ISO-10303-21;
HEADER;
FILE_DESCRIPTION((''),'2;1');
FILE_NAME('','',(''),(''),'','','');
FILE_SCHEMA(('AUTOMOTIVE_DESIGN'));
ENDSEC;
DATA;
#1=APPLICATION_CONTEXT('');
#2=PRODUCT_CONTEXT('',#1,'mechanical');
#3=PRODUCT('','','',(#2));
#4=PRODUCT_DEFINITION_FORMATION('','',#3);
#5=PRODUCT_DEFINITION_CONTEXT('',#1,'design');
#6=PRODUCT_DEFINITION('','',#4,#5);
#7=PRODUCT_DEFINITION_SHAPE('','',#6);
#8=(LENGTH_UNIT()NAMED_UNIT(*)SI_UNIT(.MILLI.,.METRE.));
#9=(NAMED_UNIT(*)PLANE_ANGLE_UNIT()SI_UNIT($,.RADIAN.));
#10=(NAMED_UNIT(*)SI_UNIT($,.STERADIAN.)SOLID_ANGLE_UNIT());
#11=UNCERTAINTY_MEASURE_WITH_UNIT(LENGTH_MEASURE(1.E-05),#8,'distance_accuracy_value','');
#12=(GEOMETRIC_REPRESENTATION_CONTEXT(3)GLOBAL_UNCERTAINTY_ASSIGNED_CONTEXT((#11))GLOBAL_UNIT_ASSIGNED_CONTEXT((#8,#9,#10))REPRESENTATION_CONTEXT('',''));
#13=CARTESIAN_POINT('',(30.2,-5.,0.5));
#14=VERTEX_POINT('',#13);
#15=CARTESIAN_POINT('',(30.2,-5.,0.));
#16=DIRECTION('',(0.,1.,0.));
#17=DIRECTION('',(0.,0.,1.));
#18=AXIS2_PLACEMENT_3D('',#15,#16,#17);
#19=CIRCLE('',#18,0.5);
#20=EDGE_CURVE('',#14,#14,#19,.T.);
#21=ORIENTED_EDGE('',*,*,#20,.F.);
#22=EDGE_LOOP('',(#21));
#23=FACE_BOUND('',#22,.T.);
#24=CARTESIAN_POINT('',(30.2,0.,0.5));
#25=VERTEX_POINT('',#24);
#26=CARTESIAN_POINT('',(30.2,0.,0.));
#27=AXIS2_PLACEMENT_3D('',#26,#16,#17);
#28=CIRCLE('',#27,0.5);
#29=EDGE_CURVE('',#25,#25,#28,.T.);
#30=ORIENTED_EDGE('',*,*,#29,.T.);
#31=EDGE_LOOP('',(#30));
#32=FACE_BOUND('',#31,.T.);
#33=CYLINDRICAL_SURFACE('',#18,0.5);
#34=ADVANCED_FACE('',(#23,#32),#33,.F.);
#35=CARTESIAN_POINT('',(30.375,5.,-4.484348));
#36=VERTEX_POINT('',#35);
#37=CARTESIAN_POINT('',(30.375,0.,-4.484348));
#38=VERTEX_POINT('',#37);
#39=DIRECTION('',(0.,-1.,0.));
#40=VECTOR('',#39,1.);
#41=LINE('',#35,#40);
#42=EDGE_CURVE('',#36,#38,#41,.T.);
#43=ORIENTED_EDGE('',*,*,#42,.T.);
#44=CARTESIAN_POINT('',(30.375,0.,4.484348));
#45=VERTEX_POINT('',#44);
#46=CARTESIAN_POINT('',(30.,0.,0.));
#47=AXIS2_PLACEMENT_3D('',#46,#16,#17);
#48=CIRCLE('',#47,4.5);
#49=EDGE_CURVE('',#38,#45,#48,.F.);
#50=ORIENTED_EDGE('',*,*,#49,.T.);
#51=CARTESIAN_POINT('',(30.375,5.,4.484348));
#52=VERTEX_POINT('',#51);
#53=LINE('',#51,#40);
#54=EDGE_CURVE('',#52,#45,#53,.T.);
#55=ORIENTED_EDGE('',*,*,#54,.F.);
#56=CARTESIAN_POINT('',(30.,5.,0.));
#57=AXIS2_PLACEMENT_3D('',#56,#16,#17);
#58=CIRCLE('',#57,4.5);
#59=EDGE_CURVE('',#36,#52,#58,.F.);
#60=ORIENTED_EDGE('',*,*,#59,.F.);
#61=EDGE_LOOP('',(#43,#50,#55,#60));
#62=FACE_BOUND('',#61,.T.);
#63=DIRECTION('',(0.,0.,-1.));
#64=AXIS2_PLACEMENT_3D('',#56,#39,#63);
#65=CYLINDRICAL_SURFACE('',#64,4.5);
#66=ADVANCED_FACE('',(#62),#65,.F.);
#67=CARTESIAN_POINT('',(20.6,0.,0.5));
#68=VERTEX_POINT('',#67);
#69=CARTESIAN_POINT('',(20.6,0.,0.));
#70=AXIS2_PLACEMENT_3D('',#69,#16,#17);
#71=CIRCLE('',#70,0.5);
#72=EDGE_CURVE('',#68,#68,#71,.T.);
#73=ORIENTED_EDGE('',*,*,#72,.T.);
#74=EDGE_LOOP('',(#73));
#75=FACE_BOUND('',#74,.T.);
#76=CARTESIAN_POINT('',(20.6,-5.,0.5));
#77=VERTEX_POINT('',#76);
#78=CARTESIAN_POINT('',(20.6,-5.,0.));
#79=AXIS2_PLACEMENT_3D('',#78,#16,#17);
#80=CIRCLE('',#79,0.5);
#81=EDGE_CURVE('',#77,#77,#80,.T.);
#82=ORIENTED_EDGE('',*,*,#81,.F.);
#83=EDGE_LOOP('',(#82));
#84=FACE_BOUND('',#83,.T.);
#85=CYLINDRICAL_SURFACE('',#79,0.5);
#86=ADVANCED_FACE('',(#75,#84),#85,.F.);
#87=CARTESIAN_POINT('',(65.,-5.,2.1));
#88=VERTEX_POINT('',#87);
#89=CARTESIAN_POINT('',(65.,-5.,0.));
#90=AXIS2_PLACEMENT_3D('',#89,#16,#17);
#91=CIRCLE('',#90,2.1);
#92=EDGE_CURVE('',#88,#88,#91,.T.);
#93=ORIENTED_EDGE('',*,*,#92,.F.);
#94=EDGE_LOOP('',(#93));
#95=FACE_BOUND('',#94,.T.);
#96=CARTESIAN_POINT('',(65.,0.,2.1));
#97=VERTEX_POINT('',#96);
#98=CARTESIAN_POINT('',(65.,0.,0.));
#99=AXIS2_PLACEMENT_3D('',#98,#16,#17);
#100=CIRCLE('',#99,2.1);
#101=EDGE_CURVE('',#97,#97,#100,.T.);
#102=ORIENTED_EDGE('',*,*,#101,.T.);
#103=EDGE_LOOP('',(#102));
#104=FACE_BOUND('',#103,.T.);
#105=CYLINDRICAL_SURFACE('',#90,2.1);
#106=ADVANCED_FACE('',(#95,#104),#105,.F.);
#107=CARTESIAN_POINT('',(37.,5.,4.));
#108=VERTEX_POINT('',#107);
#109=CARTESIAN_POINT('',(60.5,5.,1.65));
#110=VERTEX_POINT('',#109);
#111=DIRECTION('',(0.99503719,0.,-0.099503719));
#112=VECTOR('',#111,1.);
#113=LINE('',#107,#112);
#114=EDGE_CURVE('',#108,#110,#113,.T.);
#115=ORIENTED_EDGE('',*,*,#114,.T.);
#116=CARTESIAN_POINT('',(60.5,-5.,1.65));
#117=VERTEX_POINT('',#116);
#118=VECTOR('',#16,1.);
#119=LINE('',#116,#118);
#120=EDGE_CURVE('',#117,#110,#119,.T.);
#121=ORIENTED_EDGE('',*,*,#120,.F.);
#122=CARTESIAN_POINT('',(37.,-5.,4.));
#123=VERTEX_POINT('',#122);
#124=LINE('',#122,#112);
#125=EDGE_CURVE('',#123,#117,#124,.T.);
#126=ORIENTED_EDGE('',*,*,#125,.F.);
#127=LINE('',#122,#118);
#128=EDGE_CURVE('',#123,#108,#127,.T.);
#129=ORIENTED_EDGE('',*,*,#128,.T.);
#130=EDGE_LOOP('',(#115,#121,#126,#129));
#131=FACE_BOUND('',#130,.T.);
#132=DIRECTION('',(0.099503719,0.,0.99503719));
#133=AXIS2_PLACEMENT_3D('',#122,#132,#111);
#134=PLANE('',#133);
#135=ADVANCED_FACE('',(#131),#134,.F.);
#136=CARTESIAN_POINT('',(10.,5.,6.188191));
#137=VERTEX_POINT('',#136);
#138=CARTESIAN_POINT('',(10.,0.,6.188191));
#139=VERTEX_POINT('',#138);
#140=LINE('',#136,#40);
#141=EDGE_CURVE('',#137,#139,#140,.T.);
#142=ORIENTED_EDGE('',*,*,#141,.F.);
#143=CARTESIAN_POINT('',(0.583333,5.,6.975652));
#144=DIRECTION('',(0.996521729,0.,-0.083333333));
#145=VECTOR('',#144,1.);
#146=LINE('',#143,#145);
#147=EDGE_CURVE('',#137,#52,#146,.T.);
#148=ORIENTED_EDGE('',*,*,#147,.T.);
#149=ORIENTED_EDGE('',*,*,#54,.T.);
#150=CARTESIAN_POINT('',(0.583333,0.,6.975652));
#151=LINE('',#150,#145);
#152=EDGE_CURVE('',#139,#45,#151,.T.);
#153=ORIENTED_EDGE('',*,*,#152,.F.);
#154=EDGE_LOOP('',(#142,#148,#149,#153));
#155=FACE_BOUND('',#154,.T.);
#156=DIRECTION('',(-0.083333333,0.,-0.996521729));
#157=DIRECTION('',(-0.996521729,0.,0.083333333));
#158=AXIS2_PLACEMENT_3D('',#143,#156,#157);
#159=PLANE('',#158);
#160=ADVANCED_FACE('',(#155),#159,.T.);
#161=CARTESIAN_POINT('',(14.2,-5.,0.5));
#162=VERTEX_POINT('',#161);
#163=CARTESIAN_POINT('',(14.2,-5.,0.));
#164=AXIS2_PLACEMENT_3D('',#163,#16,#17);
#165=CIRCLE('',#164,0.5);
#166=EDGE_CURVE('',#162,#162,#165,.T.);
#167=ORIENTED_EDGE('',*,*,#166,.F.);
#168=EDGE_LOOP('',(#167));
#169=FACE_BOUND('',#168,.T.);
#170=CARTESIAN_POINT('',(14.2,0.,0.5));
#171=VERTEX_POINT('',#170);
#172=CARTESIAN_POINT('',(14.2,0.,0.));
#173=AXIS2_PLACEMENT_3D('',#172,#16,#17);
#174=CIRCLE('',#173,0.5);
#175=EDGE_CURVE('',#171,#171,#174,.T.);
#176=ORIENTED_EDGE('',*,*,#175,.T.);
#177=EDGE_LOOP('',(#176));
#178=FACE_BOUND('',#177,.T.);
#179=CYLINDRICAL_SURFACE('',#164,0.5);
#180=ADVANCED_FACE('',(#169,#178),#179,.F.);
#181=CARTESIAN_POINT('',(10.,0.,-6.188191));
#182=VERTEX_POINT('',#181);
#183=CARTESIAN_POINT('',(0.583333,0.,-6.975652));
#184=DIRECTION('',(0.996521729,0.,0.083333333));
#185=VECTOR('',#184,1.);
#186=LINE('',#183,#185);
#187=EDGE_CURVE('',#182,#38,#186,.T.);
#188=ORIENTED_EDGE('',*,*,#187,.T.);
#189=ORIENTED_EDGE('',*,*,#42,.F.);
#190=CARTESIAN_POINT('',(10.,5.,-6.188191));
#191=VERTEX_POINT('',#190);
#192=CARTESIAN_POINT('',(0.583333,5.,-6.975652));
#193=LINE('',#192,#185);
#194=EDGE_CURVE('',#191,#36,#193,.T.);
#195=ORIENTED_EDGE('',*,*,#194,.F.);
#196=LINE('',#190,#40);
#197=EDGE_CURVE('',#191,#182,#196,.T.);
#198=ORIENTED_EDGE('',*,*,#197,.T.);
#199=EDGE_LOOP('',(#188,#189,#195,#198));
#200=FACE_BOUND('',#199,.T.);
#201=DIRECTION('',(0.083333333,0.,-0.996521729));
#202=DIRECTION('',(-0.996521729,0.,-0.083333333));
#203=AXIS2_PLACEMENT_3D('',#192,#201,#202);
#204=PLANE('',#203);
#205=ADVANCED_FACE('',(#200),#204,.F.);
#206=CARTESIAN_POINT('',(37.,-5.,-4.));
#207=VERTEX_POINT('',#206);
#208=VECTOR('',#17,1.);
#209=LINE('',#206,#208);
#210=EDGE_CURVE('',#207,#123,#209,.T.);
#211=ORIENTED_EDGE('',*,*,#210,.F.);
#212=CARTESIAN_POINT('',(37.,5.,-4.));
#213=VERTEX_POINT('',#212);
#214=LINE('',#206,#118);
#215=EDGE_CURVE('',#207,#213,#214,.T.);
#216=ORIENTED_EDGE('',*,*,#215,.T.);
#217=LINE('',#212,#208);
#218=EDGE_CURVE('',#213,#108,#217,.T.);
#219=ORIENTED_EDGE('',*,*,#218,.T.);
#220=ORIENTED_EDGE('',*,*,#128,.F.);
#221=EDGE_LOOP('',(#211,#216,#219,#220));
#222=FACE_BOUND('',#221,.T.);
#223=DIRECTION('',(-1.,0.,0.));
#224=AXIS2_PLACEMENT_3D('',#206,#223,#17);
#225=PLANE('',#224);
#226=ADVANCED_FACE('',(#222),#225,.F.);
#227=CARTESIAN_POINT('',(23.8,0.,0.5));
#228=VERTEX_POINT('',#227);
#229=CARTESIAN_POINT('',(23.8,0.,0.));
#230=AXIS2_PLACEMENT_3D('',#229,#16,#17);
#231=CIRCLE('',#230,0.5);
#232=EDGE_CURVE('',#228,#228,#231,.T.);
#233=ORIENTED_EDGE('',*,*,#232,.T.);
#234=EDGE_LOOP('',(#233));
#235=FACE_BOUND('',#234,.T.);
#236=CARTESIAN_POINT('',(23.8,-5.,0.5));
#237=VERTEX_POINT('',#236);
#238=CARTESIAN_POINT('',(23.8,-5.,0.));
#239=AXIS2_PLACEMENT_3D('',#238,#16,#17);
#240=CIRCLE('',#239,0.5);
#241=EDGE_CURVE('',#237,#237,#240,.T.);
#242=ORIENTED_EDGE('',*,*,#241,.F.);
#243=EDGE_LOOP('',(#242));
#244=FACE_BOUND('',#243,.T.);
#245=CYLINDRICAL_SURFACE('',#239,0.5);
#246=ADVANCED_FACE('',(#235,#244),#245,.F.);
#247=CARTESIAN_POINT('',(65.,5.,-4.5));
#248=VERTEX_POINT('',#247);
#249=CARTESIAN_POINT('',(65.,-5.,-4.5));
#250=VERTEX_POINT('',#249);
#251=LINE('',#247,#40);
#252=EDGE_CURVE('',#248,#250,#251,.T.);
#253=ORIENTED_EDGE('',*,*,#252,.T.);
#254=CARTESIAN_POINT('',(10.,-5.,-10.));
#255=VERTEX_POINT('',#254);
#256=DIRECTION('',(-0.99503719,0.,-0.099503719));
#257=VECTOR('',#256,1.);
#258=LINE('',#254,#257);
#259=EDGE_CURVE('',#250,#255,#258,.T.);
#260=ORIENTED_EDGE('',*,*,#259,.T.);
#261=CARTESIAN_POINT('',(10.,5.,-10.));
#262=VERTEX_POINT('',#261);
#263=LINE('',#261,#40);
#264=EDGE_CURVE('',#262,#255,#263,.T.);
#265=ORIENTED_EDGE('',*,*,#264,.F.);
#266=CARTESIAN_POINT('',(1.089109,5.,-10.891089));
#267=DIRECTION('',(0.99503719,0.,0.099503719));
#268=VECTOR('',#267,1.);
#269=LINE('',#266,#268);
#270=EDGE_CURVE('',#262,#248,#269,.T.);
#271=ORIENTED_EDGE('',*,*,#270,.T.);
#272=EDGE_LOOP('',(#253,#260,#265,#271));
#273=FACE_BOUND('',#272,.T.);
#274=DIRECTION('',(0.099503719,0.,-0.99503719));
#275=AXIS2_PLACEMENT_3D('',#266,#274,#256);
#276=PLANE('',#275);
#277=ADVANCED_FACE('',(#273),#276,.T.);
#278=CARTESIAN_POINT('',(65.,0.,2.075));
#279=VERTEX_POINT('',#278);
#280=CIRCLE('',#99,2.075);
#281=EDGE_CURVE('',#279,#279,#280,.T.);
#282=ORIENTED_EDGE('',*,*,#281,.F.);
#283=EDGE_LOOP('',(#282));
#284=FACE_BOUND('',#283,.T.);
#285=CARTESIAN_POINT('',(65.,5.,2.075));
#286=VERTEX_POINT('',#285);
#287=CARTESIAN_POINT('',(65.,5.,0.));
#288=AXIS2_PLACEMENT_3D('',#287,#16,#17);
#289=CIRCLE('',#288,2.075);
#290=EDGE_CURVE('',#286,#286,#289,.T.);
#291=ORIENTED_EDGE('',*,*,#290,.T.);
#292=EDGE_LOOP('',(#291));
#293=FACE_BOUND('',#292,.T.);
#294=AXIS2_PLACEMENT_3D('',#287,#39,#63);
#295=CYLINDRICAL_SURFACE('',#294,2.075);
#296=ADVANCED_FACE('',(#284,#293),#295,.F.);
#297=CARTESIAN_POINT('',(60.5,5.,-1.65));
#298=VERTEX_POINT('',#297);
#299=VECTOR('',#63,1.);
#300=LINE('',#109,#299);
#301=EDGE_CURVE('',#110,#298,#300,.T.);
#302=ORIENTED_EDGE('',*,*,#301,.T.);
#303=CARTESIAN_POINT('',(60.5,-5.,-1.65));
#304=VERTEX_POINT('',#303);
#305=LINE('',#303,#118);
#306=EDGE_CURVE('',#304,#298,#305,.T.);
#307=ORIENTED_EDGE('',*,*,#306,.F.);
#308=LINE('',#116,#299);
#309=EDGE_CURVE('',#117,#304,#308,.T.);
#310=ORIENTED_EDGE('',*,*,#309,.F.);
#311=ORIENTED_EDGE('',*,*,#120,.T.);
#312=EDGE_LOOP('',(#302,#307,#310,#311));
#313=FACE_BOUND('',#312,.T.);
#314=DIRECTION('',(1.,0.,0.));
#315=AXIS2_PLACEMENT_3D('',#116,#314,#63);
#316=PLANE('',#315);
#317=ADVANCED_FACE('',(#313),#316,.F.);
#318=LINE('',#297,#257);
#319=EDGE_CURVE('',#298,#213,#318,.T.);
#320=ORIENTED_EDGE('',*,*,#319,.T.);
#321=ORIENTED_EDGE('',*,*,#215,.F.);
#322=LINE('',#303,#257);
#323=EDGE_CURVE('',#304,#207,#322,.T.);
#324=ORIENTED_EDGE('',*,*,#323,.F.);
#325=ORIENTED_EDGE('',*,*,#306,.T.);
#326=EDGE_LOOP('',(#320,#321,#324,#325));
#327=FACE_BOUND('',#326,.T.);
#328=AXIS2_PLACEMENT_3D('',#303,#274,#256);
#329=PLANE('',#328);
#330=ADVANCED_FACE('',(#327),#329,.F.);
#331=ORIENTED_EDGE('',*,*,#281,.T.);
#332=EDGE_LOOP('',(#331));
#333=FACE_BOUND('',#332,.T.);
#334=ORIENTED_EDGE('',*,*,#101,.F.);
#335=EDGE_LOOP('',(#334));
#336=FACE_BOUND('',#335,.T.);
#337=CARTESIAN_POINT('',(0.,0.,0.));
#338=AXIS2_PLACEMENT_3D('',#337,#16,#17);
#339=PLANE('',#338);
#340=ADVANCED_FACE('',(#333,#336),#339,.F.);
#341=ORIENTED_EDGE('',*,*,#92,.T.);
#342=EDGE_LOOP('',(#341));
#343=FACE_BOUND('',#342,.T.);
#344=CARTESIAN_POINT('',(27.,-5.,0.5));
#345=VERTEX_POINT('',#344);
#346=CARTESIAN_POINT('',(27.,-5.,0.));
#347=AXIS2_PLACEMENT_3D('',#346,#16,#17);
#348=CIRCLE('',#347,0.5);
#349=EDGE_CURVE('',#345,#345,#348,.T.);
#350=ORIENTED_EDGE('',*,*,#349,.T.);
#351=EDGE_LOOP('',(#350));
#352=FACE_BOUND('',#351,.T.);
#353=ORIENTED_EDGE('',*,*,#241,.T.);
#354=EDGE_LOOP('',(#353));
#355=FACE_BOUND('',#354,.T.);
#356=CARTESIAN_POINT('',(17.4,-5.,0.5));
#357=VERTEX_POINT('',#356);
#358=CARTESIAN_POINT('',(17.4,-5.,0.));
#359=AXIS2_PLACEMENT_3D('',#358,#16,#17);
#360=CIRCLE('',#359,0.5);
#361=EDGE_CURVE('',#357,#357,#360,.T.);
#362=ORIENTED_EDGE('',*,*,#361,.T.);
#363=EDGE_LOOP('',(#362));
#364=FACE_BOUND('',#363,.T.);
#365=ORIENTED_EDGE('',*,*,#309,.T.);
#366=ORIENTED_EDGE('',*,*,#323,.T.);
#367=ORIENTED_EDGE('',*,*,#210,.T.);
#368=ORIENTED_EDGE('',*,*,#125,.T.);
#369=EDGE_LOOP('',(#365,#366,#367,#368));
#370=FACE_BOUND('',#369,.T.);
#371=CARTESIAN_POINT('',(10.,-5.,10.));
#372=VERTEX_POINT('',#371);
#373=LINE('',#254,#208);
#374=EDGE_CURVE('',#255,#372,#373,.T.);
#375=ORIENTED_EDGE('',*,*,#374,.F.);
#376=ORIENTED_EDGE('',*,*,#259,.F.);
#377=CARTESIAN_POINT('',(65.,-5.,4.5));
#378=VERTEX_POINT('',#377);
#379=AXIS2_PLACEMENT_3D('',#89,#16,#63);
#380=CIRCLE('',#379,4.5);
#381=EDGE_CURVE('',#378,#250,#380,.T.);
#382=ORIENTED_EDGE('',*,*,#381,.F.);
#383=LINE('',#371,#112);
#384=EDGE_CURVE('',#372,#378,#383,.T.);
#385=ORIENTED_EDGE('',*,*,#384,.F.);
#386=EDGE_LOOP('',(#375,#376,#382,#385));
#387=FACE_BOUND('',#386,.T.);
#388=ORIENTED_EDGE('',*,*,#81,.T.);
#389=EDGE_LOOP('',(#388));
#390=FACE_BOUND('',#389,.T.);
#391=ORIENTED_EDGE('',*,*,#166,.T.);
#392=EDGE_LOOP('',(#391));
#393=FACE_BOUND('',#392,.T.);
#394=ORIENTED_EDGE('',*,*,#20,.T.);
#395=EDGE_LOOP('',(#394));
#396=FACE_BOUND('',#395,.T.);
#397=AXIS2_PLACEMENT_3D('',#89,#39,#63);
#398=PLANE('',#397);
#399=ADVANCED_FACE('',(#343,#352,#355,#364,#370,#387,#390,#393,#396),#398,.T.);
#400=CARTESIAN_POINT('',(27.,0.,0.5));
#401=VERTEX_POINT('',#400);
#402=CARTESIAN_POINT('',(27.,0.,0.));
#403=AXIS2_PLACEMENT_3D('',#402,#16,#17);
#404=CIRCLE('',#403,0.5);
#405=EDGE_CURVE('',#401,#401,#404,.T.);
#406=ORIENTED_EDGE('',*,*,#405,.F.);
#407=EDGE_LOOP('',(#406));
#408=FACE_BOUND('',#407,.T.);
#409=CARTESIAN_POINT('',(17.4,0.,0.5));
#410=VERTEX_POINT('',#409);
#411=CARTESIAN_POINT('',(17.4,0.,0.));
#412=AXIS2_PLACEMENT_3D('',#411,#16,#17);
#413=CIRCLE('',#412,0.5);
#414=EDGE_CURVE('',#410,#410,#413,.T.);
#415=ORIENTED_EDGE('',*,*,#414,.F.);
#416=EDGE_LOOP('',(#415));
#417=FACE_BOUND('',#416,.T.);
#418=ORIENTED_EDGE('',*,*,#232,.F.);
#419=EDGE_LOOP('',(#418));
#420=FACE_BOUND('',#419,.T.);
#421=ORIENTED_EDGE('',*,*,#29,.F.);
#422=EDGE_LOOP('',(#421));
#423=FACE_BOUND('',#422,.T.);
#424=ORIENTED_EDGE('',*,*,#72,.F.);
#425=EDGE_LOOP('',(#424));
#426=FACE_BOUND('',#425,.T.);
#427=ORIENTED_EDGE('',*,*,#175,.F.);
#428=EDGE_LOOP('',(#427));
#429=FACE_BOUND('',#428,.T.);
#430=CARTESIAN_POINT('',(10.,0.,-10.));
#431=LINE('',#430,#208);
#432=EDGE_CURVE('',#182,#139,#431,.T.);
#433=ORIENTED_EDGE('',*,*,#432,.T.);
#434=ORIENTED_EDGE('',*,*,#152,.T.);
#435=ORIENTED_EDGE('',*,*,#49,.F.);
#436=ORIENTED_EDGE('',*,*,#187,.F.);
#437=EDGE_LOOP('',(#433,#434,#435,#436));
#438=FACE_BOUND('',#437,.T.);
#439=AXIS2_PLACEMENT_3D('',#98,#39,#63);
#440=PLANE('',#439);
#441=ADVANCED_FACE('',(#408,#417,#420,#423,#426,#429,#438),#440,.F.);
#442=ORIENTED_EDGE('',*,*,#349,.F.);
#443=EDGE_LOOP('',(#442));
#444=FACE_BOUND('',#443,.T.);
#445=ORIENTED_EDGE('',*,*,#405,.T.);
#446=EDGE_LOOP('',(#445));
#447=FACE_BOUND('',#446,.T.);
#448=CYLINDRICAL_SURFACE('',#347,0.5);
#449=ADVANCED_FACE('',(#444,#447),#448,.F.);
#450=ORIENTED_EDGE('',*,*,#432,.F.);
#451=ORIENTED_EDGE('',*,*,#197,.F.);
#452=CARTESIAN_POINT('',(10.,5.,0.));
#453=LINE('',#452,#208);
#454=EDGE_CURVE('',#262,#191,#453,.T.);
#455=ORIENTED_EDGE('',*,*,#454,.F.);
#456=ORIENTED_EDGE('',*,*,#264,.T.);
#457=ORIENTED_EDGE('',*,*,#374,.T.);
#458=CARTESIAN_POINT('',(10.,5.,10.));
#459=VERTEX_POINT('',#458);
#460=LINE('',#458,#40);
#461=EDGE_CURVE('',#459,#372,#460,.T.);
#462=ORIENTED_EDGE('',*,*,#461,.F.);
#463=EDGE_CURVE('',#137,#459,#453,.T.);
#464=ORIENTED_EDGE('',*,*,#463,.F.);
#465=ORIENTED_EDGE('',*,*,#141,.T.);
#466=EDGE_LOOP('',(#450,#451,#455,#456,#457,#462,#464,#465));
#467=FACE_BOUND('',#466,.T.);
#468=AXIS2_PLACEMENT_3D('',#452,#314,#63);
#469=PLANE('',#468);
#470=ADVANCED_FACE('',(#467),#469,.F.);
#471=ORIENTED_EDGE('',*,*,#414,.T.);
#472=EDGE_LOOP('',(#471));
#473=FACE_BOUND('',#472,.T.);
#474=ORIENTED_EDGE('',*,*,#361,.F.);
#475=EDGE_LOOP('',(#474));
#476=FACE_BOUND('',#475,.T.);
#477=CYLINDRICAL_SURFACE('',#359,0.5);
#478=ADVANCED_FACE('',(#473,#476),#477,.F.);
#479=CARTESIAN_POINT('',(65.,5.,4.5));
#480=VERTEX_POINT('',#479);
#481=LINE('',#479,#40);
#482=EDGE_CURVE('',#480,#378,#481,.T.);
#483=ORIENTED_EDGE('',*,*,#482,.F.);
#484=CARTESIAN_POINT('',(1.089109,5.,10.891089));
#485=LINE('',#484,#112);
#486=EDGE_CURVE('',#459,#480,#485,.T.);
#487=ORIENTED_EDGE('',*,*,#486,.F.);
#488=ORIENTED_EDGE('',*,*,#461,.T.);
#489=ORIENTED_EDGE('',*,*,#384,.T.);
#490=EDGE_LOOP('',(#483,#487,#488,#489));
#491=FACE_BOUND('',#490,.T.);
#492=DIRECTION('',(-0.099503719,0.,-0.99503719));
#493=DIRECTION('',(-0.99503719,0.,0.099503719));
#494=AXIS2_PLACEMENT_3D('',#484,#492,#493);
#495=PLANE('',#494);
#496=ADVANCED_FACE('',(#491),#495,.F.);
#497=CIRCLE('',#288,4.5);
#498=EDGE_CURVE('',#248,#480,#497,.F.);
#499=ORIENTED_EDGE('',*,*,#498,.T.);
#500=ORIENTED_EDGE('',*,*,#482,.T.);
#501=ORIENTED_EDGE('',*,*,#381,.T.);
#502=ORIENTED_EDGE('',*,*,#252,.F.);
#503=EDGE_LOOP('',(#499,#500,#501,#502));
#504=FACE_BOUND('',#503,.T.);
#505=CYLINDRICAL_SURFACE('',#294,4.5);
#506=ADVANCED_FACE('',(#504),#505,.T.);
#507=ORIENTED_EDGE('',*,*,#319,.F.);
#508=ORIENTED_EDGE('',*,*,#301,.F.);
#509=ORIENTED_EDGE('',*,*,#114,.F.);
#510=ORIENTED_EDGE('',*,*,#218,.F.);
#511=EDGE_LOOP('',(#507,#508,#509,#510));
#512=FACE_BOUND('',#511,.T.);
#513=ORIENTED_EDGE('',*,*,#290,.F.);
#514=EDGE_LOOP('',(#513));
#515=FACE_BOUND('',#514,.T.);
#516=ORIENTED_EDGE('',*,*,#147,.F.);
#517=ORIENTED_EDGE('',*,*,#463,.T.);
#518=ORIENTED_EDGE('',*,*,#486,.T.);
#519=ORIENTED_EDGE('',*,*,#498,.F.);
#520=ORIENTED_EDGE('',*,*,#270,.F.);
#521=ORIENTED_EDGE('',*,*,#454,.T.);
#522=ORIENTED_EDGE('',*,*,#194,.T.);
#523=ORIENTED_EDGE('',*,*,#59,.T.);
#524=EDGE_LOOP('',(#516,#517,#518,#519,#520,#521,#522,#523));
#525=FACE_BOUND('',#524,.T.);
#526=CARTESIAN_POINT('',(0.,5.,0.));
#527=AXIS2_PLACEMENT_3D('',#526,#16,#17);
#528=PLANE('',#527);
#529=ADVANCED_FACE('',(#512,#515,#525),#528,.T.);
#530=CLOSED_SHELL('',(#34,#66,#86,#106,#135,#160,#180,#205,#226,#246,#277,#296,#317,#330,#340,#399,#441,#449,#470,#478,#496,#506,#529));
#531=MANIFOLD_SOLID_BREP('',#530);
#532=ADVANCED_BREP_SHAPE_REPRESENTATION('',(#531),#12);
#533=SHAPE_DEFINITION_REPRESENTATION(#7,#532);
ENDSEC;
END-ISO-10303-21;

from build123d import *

# Parameters (mm, degrees)
SKETCH1_R               = 2.075
BOSS_EXTRUDE1_DEPTH     = 5
BOSS_EXTRUDE4_START     = -5
SKETCH4_R               = 0.5
SKETCH4_R_2             = 2.1
BOSS_EXTRUDE4_DEPTH     = 5
CUT_EXTRUDE1_DEPTH      = 5
CUT_EXTRUDE1_DEPTH_BACK = 5


with BuildPart() as part:
    # Sketch1 → Boss-Extrude1 (new body)
    with BuildSketch(Plane(origin=(0, 0, 0), x_dir=(1, 0, 0), z_dir=(0, 1, 0))):
        with BuildLine():
            Line((65, 4.5), (10, 10))
            Line((10, 10), (10, 6.188190874))
            Line((10, 6.188190874), (30.375, 4.484347779))
            ThreePointArc((30.375, 4.484347779), (34.5, 0), (30.375, -4.484347779))
            Line((30.375, -4.484347779), (10, -6.188190874))
            Line((10, -6.188190874), (10, -10))
            Line((10, -10), (65, -4.5))
            ThreePointArc((65, -4.5), (69.5, 0), (65, 4.5))
        make_face()
        with Locations((65, 0)):
            Circle(SKETCH1_R, mode=Mode.SUBTRACT)
    extrude(amount=BOSS_EXTRUDE1_DEPTH)

    # Sketch4 → Boss-Extrude4 (add)
    with BuildSketch(Plane(origin=(0, 0, 0), x_dir=(1, 0, 0), z_dir=(0, 1, 0)).offset(BOSS_EXTRUDE4_START)):
        with BuildLine():
            Line((10, 10), (10, -10))
            Line((10, -10), (65, -4.5))
            ThreePointArc((65, -4.5), (69.5, 0), (65, 4.5))
            Line((65, 4.5), (10, 10))
        make_face()
        with Locations((14.2, 0)):
            Circle(SKETCH4_R, mode=Mode.SUBTRACT)
        with Locations((17.4, 0)):
            Circle(SKETCH4_R, mode=Mode.SUBTRACT)
        with Locations((20.6, 0)):
            Circle(SKETCH4_R, mode=Mode.SUBTRACT)
        with Locations((23.8, 0)):
            Circle(SKETCH4_R, mode=Mode.SUBTRACT)
        with Locations((27, 0)):
            Circle(SKETCH4_R, mode=Mode.SUBTRACT)
        with Locations((30.2, 0)):
            Circle(SKETCH4_R, mode=Mode.SUBTRACT)
        with Locations((65, 0)):
            Circle(SKETCH4_R_2, mode=Mode.SUBTRACT)
    extrude(amount=BOSS_EXTRUDE4_DEPTH)

    # Sketch3 → Cut-Extrude1 (cut, two sides: drawn at the far end of the back side and taken through both)
    with BuildSketch(Plane(origin=(0, 0, 0), x_dir=(1, 0, 0), z_dir=(0, 1, 0)).offset(-CUT_EXTRUDE1_DEPTH_BACK)):
        Polygon((60.5, -1.65), (60.5, 1.65), (37, 4), (37, -4), align=None)
    extrude(amount=CUT_EXTRUDE1_DEPTH + CUT_EXTRUDE1_DEPTH_BACK, mode=Mode.SUBTRACT)


solid = part.part
